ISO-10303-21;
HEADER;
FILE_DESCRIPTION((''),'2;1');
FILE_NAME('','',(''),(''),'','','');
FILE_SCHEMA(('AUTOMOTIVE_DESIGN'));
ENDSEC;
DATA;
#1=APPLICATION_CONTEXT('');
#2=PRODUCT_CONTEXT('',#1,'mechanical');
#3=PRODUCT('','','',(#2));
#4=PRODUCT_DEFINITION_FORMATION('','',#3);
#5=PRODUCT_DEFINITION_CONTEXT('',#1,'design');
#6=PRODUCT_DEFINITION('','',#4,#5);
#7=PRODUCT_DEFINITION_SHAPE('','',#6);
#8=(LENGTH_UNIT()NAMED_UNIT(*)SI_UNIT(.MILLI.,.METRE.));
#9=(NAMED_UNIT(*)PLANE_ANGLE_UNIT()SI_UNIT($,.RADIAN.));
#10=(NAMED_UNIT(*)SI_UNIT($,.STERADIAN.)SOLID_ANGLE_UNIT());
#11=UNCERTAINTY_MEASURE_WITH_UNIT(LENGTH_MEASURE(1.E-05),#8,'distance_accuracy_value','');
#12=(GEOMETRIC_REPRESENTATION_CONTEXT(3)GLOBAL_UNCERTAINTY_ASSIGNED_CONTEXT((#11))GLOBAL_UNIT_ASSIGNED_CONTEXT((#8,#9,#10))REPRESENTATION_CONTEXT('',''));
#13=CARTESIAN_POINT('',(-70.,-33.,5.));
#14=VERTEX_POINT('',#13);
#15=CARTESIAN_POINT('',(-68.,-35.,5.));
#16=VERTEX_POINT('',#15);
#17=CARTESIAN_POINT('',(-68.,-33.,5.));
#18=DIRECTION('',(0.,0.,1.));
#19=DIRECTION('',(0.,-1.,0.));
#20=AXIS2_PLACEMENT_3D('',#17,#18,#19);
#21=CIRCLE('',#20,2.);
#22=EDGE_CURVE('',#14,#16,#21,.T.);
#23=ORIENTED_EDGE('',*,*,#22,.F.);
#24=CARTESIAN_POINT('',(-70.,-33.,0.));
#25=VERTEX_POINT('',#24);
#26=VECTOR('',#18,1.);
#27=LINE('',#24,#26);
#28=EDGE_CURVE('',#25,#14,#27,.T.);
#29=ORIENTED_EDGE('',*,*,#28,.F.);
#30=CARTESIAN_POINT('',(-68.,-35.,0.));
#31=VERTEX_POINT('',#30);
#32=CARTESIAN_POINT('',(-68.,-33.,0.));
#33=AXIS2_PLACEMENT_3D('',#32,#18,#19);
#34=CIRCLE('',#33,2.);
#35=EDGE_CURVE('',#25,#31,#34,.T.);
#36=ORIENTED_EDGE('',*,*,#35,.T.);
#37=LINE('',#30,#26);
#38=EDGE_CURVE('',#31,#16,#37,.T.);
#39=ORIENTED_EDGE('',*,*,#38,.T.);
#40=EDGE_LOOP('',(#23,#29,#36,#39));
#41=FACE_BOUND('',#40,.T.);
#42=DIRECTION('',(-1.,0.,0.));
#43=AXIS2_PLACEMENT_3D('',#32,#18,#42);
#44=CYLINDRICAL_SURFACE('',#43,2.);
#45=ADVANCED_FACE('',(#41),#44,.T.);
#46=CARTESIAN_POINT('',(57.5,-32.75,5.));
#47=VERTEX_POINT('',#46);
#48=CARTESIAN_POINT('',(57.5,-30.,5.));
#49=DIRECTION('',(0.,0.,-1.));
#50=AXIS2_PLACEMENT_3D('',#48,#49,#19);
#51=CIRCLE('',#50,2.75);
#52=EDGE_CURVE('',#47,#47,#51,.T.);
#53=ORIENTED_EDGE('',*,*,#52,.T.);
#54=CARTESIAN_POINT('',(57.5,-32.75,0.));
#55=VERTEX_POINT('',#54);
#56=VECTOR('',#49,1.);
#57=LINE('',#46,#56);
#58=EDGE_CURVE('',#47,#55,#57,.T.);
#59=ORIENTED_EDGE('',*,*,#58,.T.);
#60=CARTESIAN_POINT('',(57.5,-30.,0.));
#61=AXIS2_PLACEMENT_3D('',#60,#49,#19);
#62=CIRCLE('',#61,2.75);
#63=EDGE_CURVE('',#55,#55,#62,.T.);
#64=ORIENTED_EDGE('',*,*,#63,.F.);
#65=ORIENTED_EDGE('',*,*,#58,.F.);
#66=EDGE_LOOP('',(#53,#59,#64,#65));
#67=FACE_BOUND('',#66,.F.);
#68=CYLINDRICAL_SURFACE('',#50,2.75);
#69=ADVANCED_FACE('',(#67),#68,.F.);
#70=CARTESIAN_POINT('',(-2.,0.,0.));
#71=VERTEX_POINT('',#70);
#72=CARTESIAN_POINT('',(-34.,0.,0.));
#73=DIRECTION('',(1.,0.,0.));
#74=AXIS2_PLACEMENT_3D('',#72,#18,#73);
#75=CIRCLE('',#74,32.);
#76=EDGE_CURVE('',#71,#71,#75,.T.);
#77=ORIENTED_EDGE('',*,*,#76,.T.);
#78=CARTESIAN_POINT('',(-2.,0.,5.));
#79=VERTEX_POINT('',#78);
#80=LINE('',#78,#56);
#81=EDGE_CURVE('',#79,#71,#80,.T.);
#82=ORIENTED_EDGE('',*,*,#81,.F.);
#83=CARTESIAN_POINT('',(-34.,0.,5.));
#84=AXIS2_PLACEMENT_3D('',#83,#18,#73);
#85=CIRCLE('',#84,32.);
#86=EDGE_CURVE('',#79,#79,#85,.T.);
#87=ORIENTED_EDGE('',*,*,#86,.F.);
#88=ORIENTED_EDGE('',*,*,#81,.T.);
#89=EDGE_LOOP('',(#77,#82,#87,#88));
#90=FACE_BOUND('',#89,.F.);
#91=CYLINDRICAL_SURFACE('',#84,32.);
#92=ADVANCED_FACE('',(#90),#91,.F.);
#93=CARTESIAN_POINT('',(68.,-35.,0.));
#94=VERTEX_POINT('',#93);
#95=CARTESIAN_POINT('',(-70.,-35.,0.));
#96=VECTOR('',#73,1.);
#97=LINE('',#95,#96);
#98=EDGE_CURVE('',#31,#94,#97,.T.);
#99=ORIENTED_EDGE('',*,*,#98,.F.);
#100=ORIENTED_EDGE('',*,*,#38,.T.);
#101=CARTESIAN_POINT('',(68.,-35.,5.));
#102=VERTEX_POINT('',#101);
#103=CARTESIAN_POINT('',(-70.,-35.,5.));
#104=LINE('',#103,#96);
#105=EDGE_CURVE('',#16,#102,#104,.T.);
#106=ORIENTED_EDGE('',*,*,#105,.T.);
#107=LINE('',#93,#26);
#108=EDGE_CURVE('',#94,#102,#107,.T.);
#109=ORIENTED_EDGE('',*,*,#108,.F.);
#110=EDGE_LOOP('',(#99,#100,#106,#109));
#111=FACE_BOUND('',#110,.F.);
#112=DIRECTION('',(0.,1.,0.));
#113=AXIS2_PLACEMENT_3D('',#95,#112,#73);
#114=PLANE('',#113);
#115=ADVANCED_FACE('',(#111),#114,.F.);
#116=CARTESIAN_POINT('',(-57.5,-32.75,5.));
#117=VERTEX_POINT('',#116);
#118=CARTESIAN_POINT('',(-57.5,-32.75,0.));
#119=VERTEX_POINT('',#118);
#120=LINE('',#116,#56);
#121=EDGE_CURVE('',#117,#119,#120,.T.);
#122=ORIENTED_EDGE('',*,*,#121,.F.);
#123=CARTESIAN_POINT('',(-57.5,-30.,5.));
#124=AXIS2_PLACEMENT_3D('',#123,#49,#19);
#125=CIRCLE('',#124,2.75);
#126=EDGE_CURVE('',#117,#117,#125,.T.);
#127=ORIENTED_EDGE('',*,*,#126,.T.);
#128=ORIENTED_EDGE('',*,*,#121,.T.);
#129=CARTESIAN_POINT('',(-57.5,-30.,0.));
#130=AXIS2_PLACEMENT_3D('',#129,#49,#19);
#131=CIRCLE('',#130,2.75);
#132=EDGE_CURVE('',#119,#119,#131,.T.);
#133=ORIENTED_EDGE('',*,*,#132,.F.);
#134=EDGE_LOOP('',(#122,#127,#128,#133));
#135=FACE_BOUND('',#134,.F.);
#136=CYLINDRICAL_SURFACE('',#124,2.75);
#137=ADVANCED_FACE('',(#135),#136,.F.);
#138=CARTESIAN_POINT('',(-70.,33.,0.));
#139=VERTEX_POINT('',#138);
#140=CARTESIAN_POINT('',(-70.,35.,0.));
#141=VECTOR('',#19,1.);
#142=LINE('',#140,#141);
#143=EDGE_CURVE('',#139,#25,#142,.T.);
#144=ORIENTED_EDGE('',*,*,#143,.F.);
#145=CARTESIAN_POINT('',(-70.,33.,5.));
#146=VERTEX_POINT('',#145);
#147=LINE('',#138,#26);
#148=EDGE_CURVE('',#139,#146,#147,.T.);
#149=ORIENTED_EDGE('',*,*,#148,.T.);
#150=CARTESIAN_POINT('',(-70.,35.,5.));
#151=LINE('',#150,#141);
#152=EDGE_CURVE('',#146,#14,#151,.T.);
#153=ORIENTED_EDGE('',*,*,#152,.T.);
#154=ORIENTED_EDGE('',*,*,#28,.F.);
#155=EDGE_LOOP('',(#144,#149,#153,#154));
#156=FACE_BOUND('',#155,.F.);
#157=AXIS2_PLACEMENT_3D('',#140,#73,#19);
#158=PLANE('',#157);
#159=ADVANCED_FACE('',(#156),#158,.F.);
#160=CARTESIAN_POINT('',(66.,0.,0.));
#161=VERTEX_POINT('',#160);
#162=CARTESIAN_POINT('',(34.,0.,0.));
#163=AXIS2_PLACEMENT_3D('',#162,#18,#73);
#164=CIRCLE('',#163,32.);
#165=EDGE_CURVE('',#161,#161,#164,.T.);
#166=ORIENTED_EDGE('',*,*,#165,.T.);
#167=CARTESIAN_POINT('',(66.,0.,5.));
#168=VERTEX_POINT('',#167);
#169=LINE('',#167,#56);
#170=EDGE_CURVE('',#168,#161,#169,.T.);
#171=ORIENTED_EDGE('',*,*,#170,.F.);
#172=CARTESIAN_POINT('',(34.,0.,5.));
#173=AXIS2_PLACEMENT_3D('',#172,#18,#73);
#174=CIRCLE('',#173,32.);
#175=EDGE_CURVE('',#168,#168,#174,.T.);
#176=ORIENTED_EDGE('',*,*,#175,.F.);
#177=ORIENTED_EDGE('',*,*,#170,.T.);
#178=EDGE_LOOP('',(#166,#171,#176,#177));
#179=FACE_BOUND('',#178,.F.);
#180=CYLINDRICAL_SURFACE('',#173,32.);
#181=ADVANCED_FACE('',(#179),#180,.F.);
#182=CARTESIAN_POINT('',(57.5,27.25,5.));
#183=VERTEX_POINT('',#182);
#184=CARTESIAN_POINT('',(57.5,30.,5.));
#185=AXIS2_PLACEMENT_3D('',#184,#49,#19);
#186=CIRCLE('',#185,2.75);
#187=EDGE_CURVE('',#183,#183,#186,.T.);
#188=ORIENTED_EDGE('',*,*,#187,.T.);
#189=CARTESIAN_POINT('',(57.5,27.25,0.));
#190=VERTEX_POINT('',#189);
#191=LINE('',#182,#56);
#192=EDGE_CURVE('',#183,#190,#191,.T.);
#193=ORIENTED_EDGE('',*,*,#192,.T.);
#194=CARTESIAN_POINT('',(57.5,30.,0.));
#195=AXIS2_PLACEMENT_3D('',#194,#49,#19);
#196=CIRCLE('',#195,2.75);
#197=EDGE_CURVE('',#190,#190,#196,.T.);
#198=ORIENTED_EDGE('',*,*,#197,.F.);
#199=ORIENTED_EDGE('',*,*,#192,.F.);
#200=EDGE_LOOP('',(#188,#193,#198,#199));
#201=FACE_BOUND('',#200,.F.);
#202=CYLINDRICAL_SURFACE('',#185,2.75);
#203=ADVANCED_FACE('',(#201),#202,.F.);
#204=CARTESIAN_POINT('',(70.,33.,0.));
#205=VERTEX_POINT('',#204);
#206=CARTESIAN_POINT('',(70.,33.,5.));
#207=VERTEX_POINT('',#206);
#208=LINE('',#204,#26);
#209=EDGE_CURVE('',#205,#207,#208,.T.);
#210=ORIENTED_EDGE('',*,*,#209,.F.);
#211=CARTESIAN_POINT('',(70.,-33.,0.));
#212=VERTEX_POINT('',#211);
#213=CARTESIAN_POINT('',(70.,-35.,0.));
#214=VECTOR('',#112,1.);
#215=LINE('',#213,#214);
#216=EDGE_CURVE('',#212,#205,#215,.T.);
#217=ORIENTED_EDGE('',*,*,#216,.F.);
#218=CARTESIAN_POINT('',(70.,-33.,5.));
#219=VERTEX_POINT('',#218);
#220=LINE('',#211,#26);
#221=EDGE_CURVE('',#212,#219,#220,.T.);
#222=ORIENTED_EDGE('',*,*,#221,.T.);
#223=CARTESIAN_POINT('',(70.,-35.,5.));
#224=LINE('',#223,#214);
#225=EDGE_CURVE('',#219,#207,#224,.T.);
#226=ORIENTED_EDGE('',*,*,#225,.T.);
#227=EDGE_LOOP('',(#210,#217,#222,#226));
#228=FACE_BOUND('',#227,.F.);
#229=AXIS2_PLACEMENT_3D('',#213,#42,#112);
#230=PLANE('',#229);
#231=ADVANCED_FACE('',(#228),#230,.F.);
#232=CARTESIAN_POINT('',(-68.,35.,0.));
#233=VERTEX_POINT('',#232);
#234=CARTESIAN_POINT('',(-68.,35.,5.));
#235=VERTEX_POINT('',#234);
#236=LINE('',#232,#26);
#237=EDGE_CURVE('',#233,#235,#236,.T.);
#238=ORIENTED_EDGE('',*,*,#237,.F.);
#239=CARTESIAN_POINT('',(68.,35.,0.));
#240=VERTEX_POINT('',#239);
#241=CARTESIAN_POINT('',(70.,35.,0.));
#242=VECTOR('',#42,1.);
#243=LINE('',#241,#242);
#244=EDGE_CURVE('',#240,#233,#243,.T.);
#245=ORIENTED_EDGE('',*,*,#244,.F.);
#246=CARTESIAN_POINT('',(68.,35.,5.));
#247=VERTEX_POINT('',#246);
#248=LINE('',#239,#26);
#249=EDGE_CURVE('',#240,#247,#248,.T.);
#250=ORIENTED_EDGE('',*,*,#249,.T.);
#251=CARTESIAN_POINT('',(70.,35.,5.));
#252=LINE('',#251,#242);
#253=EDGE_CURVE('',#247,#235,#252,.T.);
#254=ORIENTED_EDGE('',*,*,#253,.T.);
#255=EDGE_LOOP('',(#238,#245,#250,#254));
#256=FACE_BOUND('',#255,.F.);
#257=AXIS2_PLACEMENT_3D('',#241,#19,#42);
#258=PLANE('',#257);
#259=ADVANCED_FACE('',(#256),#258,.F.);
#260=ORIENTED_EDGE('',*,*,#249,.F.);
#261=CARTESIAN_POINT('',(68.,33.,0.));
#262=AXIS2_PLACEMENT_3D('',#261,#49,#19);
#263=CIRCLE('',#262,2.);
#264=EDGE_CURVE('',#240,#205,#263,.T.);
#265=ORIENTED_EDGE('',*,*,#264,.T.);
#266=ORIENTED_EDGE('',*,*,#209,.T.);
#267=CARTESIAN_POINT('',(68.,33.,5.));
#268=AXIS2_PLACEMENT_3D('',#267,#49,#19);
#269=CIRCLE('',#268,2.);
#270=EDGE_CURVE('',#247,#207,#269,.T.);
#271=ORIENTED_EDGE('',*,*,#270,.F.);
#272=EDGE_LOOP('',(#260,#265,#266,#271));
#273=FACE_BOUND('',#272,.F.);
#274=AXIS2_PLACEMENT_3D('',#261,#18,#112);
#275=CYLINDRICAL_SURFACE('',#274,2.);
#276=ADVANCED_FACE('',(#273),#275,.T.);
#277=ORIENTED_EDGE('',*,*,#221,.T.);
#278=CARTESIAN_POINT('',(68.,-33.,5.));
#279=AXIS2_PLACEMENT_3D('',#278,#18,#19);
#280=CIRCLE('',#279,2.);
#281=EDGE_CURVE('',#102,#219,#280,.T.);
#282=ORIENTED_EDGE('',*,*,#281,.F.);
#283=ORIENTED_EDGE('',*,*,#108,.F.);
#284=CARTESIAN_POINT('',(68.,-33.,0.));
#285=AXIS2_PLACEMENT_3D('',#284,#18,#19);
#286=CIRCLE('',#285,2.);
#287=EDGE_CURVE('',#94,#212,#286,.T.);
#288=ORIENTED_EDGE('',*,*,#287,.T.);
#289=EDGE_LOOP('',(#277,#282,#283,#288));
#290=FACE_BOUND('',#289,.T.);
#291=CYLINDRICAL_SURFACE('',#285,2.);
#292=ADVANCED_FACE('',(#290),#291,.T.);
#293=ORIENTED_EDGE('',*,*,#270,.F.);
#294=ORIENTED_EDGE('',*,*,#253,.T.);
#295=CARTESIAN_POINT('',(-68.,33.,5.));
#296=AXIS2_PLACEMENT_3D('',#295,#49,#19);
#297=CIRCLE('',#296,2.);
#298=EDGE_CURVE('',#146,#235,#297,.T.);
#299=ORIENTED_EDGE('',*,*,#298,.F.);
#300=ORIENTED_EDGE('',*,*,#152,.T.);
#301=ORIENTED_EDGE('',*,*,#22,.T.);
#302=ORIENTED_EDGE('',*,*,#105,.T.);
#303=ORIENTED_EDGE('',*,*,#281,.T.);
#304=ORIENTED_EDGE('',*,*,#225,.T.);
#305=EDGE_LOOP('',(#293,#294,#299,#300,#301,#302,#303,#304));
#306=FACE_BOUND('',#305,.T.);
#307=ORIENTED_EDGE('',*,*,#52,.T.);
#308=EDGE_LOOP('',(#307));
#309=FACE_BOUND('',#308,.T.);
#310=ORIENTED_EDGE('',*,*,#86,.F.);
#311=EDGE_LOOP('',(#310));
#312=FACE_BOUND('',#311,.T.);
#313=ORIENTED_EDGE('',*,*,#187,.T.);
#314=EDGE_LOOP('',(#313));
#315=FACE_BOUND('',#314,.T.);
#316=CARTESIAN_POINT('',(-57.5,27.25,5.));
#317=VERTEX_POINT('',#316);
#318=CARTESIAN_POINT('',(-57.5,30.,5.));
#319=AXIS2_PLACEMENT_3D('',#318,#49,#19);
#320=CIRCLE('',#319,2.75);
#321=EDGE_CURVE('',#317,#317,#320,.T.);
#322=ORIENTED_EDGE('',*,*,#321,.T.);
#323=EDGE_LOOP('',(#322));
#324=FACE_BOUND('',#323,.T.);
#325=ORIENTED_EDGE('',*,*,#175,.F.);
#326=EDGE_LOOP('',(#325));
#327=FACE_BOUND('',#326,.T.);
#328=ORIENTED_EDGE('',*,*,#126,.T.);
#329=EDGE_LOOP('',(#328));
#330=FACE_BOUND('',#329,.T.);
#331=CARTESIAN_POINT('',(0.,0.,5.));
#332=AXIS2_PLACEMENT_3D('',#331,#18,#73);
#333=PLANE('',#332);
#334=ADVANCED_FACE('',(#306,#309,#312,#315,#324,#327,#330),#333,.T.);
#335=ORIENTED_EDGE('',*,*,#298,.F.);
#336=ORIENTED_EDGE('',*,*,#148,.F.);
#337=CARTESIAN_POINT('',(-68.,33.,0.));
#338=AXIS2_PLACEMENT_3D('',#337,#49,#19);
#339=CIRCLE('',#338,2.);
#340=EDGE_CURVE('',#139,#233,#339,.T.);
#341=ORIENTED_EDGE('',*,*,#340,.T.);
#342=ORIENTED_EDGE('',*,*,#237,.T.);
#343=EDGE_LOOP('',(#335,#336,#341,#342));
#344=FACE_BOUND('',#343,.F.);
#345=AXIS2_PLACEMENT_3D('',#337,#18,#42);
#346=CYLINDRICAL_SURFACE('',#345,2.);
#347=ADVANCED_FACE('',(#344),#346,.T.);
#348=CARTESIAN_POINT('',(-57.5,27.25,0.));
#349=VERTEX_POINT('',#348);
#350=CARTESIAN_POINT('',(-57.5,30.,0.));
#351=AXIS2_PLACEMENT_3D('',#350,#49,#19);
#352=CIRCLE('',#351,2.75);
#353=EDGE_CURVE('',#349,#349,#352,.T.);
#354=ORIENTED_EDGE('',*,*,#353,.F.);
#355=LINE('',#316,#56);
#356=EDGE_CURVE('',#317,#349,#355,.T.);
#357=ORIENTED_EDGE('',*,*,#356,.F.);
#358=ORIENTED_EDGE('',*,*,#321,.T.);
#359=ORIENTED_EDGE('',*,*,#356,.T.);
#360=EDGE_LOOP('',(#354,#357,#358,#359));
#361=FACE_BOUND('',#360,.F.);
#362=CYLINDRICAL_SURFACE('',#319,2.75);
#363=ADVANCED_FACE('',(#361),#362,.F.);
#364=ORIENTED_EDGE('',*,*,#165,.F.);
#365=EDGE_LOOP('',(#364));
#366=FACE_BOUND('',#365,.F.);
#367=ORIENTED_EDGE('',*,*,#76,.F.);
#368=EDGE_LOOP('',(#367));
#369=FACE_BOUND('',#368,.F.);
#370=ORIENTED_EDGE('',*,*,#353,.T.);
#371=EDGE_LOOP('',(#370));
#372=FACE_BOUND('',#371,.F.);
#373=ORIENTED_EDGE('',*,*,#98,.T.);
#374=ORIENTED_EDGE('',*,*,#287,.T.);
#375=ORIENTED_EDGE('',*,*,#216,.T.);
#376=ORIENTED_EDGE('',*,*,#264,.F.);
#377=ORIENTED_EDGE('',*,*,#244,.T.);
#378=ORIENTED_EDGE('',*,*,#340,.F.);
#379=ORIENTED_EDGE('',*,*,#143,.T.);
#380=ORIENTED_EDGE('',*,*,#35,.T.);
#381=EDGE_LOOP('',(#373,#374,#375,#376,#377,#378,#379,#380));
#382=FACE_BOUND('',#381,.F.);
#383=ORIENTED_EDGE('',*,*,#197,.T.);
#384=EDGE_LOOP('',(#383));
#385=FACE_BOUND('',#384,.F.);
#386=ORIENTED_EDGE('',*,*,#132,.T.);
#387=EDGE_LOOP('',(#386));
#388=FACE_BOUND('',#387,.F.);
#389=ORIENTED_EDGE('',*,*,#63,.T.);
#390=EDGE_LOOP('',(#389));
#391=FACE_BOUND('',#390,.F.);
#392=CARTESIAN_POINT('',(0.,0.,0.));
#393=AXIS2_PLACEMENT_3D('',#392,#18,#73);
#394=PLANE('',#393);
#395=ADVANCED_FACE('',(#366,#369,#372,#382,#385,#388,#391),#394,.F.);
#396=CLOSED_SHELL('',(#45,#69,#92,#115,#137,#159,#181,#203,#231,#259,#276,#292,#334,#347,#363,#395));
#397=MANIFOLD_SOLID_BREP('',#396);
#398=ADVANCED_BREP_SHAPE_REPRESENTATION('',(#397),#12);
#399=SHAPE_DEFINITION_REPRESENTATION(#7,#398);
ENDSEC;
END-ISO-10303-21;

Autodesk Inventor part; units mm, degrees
ref_plane "YZ Plane" through (0, 0, 0) normal (1, 0, 0) x (0, 1, 0)
ref_plane "XZ Plane" through (0, 0, 0) normal (0, 1, 0) x (-1, 0, 0)
ref_plane "XY Plane" through (0, 0, 0) normal (0, 0, 1) x (1, 0, 0)
sketch "Sketch1" plane through (0, 0, 0) normal (0, 0, 1) x (1, 0, 0)
  line L0 (-70, -35) -> (70, -35)
  line L1 (70, -35) -> (70, 35)
  line L2 (70, 35) -> (-70, 35)
  line L3 (-70, 35) -> (-70, -35)
  line L4 (-70, -35) -> (70, 35) construction
  line L5 (70, -35) -> (-70, 35) construction
  point P0 (0, 0)
  dimension "d0" = 140
  dimension "d1" = 70
extrude "Extrusion1" add sketch "Sketch1" along normal blind 5
sketch "Sketch2" plane through (0, 0, 5) normal (0, 0, 1) x (1, 0, 0)
  line L0 (-57.5, -30) -> (57.5, -30) construction
  line L1 (57.5, -30) -> (57.5, 30) construction
  line L2 (57.5, 30) -> (-57.5, 30) construction
  line L3 (-57.5, 30) -> (-57.5, -30) construction
  line L4 (-57.5, -30) -> (57.5, 30) construction
  line L5 (57.5, -30) -> (-57.5, 30) construction
  point P0 (0, 0)
  dimension "d4" = 115
  dimension "d5" = 60
hole "Hole1" at (-57.5, -30, 5) at (-57.5, 30, 5) at (57.5, 30, 5) at (57.5, -30, 5) direction (0, 0, -1) diameter 5.5 depth 8 tip angle 118 clearance for "Countersunk Flat Head Screw DIN EN ISO 2009" size "M5" standard "DIN"
fillet "Fillet1" radius 2 4 edges at (70, 35, 2.5) (70, -35, 2.5) (-70, 35, 2.5) (-70, -35, 2.5)
sketch "Sketch3" plane through (0, 0, 5) normal (0, 0, 1) x (1, 0, 0)
  circle A0 centre (-34, 0) radius 32
  circle A1 centre (34, 0) radius 32
  line L0 (-34, 0) -> (34, 0) construction
  point P0 (0, 0)
  point P1 (0, 0)
  dimension "d14" = 64
  dimension "d15" = 64
  dimension "d16" = 68
extrude "Extrusion2" cut sketch "Sketch3" against normal blind 5
properties part number "MidStück_Caps" material "Polycarbonate, Clear"
